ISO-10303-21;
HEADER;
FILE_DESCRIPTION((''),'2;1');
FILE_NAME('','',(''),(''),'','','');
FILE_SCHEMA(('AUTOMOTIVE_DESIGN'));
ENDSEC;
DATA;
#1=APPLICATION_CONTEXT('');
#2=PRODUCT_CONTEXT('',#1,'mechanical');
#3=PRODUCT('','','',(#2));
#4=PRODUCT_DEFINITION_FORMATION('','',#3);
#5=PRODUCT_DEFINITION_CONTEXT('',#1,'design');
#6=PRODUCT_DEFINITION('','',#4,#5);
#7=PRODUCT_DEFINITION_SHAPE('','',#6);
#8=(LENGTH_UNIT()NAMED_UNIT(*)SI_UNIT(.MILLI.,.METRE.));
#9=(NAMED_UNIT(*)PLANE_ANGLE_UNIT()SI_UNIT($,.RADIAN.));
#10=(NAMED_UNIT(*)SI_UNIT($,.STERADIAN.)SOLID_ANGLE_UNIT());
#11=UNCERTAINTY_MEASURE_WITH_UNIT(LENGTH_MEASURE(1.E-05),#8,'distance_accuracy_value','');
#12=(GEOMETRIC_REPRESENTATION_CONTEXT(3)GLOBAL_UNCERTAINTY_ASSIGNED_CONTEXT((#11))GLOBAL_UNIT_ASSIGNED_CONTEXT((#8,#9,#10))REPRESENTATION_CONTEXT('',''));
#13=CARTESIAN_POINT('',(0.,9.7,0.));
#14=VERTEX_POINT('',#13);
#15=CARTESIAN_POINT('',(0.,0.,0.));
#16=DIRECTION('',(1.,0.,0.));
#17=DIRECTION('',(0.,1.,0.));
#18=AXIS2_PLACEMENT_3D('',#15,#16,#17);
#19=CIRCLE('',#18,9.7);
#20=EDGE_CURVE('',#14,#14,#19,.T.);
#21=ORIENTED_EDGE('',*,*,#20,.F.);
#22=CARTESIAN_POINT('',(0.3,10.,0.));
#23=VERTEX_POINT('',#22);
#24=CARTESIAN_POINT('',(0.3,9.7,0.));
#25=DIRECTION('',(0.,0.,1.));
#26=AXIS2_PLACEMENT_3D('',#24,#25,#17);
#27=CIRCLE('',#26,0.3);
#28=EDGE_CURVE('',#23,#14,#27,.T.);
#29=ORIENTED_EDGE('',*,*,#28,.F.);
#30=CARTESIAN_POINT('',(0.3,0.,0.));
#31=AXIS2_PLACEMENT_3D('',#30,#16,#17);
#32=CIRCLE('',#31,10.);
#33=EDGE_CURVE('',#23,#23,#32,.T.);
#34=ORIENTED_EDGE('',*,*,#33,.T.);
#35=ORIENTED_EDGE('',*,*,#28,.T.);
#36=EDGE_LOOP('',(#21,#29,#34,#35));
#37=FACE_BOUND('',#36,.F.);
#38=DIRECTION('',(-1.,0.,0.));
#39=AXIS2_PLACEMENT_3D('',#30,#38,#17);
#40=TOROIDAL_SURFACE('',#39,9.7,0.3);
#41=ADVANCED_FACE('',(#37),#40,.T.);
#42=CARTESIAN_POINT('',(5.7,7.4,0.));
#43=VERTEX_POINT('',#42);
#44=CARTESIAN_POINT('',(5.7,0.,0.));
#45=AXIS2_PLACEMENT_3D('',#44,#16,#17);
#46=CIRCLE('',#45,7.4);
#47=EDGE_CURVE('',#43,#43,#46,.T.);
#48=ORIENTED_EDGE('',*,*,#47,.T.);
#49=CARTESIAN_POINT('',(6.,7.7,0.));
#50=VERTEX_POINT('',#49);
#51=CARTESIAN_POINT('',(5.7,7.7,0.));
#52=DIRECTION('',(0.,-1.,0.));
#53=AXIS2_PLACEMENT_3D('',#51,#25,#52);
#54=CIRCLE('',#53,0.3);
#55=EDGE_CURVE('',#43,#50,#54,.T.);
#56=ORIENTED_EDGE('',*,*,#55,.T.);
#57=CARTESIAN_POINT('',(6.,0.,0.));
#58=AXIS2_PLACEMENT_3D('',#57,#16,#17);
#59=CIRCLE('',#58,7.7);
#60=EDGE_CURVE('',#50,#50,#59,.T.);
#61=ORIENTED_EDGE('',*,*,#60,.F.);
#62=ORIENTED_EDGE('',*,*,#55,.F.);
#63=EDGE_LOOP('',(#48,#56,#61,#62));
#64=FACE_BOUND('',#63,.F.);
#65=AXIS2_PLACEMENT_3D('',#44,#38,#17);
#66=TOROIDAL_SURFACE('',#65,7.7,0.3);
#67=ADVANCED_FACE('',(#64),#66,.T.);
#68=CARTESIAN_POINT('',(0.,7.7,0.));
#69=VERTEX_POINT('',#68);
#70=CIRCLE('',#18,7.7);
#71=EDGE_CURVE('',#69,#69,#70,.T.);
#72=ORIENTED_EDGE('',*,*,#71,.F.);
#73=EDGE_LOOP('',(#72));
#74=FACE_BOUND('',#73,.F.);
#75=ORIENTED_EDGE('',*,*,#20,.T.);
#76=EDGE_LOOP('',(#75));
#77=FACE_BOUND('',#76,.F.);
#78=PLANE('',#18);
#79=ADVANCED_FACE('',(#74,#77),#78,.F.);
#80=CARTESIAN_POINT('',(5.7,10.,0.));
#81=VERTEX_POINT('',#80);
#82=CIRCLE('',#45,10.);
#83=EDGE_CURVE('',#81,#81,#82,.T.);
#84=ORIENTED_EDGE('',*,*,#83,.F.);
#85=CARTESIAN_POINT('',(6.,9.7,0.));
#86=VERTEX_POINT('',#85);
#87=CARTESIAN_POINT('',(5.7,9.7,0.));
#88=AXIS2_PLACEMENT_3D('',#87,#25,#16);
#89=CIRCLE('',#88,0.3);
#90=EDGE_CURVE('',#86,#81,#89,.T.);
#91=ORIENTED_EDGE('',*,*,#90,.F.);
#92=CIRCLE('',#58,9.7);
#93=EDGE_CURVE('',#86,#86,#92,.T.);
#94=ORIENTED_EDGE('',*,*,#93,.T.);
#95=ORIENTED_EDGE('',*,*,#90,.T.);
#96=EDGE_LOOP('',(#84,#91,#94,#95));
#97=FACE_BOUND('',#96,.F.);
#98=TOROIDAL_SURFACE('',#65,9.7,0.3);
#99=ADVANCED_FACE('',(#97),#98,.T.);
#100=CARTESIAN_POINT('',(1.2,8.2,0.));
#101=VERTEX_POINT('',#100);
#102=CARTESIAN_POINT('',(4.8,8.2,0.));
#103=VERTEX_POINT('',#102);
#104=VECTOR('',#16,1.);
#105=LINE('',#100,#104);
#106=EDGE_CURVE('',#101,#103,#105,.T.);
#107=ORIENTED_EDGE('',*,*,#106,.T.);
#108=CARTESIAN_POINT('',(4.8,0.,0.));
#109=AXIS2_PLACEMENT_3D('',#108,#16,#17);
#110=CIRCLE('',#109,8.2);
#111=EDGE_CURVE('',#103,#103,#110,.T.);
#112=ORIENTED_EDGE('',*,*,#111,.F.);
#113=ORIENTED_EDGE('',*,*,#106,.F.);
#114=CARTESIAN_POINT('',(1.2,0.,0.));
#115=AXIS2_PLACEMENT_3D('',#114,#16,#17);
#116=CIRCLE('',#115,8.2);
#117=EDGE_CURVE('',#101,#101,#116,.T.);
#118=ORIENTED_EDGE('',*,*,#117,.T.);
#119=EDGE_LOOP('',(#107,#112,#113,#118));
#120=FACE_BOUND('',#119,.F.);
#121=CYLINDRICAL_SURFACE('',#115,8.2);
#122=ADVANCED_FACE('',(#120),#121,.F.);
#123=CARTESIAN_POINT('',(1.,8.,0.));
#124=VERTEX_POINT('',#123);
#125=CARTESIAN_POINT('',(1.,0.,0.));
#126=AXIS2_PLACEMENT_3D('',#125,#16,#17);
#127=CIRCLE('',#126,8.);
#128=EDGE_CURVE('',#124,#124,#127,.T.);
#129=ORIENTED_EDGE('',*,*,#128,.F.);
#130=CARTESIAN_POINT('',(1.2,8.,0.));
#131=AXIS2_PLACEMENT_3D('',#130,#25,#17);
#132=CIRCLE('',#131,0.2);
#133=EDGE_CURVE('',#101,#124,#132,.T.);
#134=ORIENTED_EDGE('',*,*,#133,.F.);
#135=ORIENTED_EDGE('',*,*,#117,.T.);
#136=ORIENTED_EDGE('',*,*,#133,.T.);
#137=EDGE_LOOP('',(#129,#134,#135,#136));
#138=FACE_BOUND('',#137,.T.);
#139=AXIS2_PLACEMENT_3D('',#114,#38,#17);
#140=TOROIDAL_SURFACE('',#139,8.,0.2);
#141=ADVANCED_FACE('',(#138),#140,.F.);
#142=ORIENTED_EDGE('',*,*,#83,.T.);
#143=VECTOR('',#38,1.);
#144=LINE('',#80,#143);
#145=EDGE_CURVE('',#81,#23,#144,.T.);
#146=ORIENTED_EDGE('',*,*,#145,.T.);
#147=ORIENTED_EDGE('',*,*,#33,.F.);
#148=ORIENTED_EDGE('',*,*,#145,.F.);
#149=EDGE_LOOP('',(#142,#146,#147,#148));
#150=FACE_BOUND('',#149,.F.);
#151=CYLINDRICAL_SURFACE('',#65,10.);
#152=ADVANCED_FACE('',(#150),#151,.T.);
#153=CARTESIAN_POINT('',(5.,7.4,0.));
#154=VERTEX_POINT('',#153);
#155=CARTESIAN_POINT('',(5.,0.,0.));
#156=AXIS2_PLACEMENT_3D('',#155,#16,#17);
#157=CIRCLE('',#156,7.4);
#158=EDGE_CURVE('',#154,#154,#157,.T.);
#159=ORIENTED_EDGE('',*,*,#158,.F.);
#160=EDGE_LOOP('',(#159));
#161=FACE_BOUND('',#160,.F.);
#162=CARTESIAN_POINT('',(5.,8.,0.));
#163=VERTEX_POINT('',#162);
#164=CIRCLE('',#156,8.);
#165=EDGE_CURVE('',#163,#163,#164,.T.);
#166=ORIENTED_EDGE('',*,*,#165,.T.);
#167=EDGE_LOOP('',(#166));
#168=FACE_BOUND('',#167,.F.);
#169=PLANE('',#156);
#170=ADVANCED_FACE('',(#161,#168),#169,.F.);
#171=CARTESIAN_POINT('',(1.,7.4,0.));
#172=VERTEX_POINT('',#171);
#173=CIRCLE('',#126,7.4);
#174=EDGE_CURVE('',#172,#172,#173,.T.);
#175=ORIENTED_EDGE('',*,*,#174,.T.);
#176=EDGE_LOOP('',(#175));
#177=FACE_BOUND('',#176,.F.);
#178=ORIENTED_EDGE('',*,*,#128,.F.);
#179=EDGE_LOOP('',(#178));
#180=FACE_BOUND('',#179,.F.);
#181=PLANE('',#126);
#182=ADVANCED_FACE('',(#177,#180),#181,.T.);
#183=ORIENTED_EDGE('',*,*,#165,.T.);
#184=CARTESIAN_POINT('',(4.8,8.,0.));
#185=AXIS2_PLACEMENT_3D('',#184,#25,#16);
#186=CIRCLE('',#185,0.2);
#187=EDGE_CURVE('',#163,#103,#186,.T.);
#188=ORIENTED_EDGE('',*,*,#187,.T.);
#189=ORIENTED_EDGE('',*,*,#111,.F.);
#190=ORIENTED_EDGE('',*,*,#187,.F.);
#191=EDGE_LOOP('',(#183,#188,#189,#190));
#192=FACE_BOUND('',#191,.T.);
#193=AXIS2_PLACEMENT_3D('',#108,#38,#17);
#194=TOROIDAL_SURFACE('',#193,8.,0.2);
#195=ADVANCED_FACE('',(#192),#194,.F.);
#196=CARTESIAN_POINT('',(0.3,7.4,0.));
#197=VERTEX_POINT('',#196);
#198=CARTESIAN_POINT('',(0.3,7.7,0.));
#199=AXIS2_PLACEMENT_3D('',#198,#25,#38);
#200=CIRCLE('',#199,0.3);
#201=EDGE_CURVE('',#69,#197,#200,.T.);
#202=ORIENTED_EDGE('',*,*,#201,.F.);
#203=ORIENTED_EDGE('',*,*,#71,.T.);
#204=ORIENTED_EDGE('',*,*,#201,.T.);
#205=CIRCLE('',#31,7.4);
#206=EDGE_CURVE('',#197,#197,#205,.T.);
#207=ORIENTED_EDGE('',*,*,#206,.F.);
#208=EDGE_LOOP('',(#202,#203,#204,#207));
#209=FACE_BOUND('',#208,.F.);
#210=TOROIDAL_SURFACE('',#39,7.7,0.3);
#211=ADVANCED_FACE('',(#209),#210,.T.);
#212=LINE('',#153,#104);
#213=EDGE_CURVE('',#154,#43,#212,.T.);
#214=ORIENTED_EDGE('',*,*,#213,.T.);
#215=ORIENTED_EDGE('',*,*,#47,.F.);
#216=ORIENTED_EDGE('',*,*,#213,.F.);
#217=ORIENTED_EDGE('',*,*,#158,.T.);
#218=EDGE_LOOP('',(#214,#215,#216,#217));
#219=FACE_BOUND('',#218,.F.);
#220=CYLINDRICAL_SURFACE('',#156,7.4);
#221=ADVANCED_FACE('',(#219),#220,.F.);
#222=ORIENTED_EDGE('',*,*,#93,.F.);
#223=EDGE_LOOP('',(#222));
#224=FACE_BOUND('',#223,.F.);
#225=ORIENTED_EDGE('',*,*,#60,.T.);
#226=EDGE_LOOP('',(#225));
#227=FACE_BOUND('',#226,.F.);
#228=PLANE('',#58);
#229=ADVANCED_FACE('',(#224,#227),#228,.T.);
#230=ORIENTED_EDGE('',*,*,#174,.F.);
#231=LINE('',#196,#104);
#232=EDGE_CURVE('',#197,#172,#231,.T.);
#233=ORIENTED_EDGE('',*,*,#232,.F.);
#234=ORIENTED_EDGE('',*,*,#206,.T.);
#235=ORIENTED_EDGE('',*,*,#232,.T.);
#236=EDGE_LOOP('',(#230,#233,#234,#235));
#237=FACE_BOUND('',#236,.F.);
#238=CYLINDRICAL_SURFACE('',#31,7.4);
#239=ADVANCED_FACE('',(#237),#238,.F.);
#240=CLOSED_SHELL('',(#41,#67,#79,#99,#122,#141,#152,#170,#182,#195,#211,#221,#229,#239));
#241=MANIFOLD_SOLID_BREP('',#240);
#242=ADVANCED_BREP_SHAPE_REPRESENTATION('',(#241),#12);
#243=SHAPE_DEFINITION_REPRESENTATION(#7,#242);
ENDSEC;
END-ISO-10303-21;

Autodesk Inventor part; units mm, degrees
sketch "Sketch_1" plane through (0, 0, 0) normal (0, 0, 1) x (1, 0, 0)
  line L0 (6, 0) -> (0, 0)
  arc A0 (0, 7.7) -> (0.3, 7.4) centre (0.3, 7.7) ccw
  line L1 (0.3, 7.4) -> (1, 7.4)
  line L2 (1, 7.4) -> (1, 8)
  arc A1 (1.2, 8.2) -> (1, 8) centre (1.2, 8) ccw
  line L3 (1.2, 8.2) -> (4.8, 8.2)
  arc A2 (5, 8) -> (4.8, 8.2) centre (4.8, 8) ccw
  line L4 (5, 8) -> (5, 7.4)
  line L5 (5, 7.4) -> (5.7, 7.4)
  arc A3 (5.7, 7.4) -> (6, 7.7) centre (5.7, 7.7) ccw
  line L6 (6, 7.7) -> (6, 9.7)
  arc A4 (6, 9.7) -> (5.7, 10) centre (5.7, 9.7) ccw
  line L7 (5.7, 10) -> (0.3, 10)
  arc A5 (0.3, 10) -> (0, 9.7) centre (0.3, 9.7) ccw
  line L8 (0, 9.7) -> (0, 7.7)
revolve "Revolution1" add sketch "Sketch_1" angle 360 about axis through (6, 0, 0) along (1, 0, 0)
ref_plane "IP_roller_typ1_XY" through (3, 0, 0) normal (1, 0, 0) x (0, 0, -1)
ref_plane "IP_roller_typ1_YZ" through (3, 0, 0) normal (0, 0, -1) x (0, 1, 0)
ref_plane "IP_roller_typ1_ZX" through (3, 0, 0) normal (0, 1, 0) x (1, 0, 0)
ref_plane "OR_IR_XY" through (0, 0, 0) normal (1, 0, 0) x (0, 0, -1)
ref_plane "OR_IR_YZ" through (0, 0, 0) normal (0, 0, -1) x (0, 1, 0)
ref_plane "OR_IR_ZX" through (0, 0, 0) normal (0, 1, 0) x (1, 0, 0)
ref_plane "OR_ball_1_XY" through (3, 5.6, 0) normal (1, 0, 0) x (0, 0, -1)
ref_plane "OR_ball_1_YZ" through (3, 5.6, 0) normal (0, 0, -1) x (0, 1, 0)
ref_plane "OR_ball_1_ZX" through (3, 5.6, 0) normal (0, 1, 0) x (1, 0, 0)
ref_plane "OR_ball_2_XY" through (3, 1.7305, 5.3259) normal (1, 0, 0) x (0, 0, -1)
ref_plane "OR_ball_2_YZ" through (3, 1.7305, 5.3259) normal (0, 0, -1) x (0, 1, 0)
ref_plane "OR_ball_2_ZX" through (3, 1.7305, 5.3259) normal (0, 1, 0) x (1, 0, 0)
ref_plane "OR_ball_3_XY" through (3, -4.5305, 3.2916) normal (1, 0, 0) x (0, 0, -1)
ref_plane "OR_ball_3_YZ" through (3, -4.5305, 3.2916) normal (0, 0, -1) x (0, 1, 0)
ref_plane "OR_ball_3_ZX" through (3, -4.5305, 3.2916) normal (0, 1, 0) x (1, 0, 0)
ref_plane "OR_ball_4_XY" through (3, -4.5305, -3.2916) normal (1, 0, 0) x (0, 0, -1)
ref_plane "OR_ball_4_YZ" through (3, -4.5305, -3.2916) normal (0, 0, -1) x (0, 1, 0)
ref_plane "OR_ball_4_ZX" through (3, -4.5305, -3.2916) normal (0, 1, 0) x (1, 0, 0)
ref_plane "OR_ball_5_XY" through (3, 1.7305, -5.3259) normal (1, 0, 0) x (0, 0, -1)
ref_plane "OR_ball_5_YZ" through (3, 1.7305, -5.3259) normal (0, 0, -1) x (0, 1, 0)
ref_plane "OR_ball_5_ZX" through (3, 1.7305, -5.3259) normal (0, 1, 0) x (1, 0, 0)
ref_plane "OR_dummy_XY" through (0, 0, 0) normal (1, 0, 0) x (0, 0, -1)
ref_plane "OR_dummy_YZ" through (0, 0, 0) normal (0, 0, -1) x (0, 1, 0)
ref_plane "OR_dummy_ZX" through (0, 0, 0) normal (0, 1, 0) x (1, 0, 0)
properties part number "110202DT-20-L1260ZZ_or" material "アセタール樹脂、白"
